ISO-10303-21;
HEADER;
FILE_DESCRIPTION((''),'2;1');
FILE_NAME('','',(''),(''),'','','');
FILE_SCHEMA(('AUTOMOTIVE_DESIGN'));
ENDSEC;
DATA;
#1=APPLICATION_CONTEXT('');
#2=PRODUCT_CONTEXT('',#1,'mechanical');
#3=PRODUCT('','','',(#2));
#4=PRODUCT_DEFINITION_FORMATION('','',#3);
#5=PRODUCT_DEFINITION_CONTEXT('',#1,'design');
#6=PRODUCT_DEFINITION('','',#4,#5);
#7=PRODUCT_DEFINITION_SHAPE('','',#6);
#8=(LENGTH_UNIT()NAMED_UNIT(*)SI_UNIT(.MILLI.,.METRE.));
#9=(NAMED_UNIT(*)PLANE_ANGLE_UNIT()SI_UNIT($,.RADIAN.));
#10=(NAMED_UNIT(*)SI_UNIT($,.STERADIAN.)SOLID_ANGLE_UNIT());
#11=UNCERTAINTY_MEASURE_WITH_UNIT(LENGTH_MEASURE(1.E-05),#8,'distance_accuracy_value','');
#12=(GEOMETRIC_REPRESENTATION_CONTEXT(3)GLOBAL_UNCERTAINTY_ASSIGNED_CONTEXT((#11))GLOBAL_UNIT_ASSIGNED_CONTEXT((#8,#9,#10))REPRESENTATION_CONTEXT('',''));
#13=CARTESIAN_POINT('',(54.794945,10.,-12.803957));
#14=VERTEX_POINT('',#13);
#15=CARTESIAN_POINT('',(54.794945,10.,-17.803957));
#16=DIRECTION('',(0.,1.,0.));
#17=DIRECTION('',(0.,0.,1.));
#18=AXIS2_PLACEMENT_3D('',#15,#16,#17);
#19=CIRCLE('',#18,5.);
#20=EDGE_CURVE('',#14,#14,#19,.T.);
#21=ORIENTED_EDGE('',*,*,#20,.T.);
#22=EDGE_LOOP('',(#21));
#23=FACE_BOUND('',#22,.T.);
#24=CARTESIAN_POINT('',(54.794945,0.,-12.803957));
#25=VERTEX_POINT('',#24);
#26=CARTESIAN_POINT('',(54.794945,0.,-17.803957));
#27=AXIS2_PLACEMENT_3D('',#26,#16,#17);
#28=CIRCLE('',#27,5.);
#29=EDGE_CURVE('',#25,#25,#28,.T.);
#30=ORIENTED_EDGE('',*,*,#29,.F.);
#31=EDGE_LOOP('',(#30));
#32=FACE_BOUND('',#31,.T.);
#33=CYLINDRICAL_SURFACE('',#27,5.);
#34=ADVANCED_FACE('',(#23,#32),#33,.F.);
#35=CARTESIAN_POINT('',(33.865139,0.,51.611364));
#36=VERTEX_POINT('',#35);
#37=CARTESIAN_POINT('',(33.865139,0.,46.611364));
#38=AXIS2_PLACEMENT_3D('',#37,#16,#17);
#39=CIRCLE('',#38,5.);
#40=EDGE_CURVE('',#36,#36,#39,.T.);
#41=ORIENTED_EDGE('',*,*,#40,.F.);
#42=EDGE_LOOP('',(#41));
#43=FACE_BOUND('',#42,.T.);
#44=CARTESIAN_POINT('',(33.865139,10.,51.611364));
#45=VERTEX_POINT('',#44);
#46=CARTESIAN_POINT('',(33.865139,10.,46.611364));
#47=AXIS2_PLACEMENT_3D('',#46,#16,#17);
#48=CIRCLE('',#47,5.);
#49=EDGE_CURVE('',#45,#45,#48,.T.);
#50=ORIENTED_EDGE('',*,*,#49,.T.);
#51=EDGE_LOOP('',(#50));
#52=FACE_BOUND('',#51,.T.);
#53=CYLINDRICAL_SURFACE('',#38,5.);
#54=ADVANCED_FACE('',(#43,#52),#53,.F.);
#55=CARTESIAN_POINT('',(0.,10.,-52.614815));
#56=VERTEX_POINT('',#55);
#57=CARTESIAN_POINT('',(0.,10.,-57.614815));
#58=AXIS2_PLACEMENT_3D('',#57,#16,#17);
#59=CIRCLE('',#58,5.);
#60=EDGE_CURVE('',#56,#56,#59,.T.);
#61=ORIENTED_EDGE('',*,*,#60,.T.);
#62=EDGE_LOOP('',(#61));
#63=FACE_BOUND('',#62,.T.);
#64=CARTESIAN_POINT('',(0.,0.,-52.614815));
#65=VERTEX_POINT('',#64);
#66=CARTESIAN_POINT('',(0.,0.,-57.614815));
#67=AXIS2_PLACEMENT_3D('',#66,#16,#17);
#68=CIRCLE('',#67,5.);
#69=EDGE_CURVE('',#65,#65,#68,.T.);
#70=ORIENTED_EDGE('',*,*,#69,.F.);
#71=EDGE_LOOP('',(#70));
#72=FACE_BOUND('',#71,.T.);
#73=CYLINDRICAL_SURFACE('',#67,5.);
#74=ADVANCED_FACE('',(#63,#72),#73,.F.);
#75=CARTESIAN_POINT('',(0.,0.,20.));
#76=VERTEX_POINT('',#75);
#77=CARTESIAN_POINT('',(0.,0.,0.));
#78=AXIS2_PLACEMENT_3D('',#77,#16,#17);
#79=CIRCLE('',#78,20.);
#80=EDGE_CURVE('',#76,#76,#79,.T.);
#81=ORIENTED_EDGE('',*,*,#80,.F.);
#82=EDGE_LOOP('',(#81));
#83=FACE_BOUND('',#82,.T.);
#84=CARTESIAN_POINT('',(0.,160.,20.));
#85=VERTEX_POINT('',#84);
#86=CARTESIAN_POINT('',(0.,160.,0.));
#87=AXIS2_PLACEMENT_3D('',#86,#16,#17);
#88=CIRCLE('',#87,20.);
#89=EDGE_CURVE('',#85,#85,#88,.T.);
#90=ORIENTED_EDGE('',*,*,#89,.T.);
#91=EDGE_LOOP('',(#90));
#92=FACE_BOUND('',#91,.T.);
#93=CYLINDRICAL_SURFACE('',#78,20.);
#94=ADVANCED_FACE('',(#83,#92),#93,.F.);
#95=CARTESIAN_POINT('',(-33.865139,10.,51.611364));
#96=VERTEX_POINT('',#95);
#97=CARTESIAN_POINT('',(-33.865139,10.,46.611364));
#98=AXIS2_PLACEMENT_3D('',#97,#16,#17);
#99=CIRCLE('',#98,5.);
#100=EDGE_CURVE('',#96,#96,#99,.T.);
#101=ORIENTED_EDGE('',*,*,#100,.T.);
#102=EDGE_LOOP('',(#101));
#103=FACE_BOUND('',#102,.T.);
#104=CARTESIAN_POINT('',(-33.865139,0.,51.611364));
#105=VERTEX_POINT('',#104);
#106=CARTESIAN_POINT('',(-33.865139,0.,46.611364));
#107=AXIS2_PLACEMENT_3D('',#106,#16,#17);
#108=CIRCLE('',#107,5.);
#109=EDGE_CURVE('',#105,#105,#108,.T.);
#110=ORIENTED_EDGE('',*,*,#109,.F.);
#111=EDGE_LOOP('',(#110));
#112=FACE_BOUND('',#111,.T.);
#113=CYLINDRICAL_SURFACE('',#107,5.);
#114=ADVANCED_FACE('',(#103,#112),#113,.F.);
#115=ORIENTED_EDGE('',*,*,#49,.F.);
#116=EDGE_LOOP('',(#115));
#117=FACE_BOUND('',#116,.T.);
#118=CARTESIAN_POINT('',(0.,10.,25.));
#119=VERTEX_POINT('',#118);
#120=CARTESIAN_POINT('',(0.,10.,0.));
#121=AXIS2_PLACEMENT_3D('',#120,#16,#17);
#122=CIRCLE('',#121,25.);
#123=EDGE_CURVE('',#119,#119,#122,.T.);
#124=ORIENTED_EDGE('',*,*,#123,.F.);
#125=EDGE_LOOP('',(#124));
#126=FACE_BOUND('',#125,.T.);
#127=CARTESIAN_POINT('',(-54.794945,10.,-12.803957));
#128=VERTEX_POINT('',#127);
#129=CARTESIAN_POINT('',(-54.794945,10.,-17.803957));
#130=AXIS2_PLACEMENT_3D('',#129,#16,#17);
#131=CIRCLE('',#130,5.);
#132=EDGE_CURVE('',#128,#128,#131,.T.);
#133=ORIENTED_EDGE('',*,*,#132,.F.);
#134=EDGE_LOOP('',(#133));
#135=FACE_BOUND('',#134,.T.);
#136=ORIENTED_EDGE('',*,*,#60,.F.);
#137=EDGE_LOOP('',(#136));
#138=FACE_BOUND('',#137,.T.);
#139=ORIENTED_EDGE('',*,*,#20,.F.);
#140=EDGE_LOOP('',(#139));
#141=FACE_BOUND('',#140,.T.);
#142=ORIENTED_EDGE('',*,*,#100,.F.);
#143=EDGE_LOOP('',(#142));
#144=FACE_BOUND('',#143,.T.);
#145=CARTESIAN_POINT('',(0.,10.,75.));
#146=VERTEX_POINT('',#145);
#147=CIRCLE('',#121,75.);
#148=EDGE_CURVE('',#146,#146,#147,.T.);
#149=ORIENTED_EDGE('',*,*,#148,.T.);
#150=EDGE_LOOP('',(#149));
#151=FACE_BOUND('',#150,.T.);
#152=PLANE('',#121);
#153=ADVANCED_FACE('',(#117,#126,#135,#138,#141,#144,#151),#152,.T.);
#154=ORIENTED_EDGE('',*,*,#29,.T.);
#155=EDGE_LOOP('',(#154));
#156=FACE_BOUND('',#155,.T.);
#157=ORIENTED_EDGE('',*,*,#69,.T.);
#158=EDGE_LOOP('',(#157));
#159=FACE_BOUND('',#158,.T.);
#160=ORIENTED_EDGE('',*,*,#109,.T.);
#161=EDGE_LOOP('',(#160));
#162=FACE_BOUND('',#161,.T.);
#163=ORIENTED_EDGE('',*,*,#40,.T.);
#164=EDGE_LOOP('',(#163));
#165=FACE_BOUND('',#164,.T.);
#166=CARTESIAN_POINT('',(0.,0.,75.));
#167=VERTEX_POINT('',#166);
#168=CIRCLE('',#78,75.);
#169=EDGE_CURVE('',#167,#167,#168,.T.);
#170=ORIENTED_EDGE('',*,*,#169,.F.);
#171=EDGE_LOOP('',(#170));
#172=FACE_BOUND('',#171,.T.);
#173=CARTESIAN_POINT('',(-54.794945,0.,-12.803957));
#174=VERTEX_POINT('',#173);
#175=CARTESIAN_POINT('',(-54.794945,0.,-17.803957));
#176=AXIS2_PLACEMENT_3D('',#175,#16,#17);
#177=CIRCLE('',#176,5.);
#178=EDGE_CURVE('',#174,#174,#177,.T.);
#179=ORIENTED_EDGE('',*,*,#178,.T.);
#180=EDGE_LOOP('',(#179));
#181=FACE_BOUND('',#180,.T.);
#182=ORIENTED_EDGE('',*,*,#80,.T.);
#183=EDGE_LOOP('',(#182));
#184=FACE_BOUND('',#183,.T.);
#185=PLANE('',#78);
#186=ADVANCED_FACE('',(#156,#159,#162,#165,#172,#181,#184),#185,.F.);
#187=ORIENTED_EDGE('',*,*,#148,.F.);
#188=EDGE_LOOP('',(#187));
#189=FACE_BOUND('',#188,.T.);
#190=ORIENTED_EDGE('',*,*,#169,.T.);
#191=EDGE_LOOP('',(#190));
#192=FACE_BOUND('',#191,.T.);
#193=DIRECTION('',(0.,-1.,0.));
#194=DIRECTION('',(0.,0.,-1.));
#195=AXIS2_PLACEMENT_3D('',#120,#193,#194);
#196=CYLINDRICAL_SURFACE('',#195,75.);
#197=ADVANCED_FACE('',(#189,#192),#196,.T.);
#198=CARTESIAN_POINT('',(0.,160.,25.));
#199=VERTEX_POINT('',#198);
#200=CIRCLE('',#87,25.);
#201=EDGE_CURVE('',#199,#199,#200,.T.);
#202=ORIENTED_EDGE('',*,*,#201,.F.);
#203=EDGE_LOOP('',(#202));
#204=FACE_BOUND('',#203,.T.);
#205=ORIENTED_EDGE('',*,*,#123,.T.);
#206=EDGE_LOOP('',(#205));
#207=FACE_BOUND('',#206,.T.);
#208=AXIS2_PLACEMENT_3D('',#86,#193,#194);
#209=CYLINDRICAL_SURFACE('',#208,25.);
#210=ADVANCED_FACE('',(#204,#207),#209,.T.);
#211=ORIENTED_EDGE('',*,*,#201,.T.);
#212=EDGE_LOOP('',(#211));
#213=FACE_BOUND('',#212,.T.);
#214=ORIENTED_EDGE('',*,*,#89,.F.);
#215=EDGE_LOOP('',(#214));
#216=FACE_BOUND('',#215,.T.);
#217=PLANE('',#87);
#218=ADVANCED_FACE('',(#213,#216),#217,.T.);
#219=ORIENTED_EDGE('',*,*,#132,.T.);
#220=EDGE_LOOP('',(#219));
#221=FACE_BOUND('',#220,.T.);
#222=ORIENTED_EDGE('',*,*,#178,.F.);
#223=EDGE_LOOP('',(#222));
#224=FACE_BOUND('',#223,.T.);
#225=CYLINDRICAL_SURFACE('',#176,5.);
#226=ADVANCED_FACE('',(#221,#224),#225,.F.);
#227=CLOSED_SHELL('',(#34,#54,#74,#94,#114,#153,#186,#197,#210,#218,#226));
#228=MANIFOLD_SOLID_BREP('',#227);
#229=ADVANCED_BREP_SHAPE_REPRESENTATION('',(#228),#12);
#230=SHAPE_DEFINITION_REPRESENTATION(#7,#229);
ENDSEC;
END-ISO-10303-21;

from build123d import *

# Parameters (mm, degrees)
SKETCH1_R           = 75
BOSS_EXTRUDE1_DEPTH = 10
SKETCH2_R           = 5
CUT_EXTRUDE1_DEPTH  = 10
SKETCH3_R           = 20
CUT_EXTRUDE2_DEPTH  = 10
BOSS_EXTRUDE2_START = 150
SKETCH4_R           = 25
SKETCH4_R_2         = 20
BOSS_EXTRUDE2_DEPTH = 150


with BuildPart() as part:
    # Sketch1 → Boss-Extrude1 (new body)
    with BuildSketch(Plane(origin=(0, 0, 0), x_dir=(1, 0, 0), z_dir=(0, 1, 0))):
        with Locations(Location((0, 0, 0), (0, 0, 270))):
            Circle(SKETCH1_R)
    extrude(amount=BOSS_EXTRUDE1_DEPTH)

    # Sketch2 → Cut-Extrude1 (cut)
    with BuildSketch(Plane(origin=(0, 10, 0), x_dir=(1, 0, 0), z_dir=(0, 1, 0))):
        with Locations(Location((0, 57.614814887, 0), (0, 0, 270))):
            Circle(SKETCH2_R)
        with Locations(Location((54.794945134, 17.803956928, 0), (0, 0, 270))):
            Circle(SKETCH2_R)
        with Locations(Location((33.865138504, -46.611364372, 0), (0, 0, 270))):
            Circle(SKETCH2_R)
        with Locations(Location((-33.865138504, -46.611364372, 0), (0, 0, 270))):
            Circle(SKETCH2_R)
        with Locations(Location((-54.794945134, 17.803956928, 0), (0, 0, 270))):
            Circle(SKETCH2_R)
    extrude(amount=-CUT_EXTRUDE1_DEPTH, mode=Mode.SUBTRACT)

    # Sketch3 → Cut-Extrude2 (cut)
    with BuildSketch(Plane(origin=(0, 10, 0), x_dir=(1, 0, 0), z_dir=(0, 1, 0))):
        with Locations(Location((0, 0, 0), (0, 0, 270))):
            Circle(SKETCH3_R)
    extrude(amount=-CUT_EXTRUDE2_DEPTH, mode=Mode.SUBTRACT)

    # Sketch4 → Boss-Extrude2 (add)
    with BuildSketch(Plane(origin=(0, 10, 0), x_dir=(1, 0, 0), z_dir=(0, 1, 0)).offset(BOSS_EXTRUDE2_START)):
        with Locations(Location((0, 0, 0), (0, 0, 270))):
            Circle(SKETCH4_R)
        with Locations(Location((0, 0, 0), (0, 0, 270))):
            Circle(SKETCH4_R_2, mode=Mode.SUBTRACT)
    extrude(amount=-BOSS_EXTRUDE2_DEPTH)


solid = part.part
